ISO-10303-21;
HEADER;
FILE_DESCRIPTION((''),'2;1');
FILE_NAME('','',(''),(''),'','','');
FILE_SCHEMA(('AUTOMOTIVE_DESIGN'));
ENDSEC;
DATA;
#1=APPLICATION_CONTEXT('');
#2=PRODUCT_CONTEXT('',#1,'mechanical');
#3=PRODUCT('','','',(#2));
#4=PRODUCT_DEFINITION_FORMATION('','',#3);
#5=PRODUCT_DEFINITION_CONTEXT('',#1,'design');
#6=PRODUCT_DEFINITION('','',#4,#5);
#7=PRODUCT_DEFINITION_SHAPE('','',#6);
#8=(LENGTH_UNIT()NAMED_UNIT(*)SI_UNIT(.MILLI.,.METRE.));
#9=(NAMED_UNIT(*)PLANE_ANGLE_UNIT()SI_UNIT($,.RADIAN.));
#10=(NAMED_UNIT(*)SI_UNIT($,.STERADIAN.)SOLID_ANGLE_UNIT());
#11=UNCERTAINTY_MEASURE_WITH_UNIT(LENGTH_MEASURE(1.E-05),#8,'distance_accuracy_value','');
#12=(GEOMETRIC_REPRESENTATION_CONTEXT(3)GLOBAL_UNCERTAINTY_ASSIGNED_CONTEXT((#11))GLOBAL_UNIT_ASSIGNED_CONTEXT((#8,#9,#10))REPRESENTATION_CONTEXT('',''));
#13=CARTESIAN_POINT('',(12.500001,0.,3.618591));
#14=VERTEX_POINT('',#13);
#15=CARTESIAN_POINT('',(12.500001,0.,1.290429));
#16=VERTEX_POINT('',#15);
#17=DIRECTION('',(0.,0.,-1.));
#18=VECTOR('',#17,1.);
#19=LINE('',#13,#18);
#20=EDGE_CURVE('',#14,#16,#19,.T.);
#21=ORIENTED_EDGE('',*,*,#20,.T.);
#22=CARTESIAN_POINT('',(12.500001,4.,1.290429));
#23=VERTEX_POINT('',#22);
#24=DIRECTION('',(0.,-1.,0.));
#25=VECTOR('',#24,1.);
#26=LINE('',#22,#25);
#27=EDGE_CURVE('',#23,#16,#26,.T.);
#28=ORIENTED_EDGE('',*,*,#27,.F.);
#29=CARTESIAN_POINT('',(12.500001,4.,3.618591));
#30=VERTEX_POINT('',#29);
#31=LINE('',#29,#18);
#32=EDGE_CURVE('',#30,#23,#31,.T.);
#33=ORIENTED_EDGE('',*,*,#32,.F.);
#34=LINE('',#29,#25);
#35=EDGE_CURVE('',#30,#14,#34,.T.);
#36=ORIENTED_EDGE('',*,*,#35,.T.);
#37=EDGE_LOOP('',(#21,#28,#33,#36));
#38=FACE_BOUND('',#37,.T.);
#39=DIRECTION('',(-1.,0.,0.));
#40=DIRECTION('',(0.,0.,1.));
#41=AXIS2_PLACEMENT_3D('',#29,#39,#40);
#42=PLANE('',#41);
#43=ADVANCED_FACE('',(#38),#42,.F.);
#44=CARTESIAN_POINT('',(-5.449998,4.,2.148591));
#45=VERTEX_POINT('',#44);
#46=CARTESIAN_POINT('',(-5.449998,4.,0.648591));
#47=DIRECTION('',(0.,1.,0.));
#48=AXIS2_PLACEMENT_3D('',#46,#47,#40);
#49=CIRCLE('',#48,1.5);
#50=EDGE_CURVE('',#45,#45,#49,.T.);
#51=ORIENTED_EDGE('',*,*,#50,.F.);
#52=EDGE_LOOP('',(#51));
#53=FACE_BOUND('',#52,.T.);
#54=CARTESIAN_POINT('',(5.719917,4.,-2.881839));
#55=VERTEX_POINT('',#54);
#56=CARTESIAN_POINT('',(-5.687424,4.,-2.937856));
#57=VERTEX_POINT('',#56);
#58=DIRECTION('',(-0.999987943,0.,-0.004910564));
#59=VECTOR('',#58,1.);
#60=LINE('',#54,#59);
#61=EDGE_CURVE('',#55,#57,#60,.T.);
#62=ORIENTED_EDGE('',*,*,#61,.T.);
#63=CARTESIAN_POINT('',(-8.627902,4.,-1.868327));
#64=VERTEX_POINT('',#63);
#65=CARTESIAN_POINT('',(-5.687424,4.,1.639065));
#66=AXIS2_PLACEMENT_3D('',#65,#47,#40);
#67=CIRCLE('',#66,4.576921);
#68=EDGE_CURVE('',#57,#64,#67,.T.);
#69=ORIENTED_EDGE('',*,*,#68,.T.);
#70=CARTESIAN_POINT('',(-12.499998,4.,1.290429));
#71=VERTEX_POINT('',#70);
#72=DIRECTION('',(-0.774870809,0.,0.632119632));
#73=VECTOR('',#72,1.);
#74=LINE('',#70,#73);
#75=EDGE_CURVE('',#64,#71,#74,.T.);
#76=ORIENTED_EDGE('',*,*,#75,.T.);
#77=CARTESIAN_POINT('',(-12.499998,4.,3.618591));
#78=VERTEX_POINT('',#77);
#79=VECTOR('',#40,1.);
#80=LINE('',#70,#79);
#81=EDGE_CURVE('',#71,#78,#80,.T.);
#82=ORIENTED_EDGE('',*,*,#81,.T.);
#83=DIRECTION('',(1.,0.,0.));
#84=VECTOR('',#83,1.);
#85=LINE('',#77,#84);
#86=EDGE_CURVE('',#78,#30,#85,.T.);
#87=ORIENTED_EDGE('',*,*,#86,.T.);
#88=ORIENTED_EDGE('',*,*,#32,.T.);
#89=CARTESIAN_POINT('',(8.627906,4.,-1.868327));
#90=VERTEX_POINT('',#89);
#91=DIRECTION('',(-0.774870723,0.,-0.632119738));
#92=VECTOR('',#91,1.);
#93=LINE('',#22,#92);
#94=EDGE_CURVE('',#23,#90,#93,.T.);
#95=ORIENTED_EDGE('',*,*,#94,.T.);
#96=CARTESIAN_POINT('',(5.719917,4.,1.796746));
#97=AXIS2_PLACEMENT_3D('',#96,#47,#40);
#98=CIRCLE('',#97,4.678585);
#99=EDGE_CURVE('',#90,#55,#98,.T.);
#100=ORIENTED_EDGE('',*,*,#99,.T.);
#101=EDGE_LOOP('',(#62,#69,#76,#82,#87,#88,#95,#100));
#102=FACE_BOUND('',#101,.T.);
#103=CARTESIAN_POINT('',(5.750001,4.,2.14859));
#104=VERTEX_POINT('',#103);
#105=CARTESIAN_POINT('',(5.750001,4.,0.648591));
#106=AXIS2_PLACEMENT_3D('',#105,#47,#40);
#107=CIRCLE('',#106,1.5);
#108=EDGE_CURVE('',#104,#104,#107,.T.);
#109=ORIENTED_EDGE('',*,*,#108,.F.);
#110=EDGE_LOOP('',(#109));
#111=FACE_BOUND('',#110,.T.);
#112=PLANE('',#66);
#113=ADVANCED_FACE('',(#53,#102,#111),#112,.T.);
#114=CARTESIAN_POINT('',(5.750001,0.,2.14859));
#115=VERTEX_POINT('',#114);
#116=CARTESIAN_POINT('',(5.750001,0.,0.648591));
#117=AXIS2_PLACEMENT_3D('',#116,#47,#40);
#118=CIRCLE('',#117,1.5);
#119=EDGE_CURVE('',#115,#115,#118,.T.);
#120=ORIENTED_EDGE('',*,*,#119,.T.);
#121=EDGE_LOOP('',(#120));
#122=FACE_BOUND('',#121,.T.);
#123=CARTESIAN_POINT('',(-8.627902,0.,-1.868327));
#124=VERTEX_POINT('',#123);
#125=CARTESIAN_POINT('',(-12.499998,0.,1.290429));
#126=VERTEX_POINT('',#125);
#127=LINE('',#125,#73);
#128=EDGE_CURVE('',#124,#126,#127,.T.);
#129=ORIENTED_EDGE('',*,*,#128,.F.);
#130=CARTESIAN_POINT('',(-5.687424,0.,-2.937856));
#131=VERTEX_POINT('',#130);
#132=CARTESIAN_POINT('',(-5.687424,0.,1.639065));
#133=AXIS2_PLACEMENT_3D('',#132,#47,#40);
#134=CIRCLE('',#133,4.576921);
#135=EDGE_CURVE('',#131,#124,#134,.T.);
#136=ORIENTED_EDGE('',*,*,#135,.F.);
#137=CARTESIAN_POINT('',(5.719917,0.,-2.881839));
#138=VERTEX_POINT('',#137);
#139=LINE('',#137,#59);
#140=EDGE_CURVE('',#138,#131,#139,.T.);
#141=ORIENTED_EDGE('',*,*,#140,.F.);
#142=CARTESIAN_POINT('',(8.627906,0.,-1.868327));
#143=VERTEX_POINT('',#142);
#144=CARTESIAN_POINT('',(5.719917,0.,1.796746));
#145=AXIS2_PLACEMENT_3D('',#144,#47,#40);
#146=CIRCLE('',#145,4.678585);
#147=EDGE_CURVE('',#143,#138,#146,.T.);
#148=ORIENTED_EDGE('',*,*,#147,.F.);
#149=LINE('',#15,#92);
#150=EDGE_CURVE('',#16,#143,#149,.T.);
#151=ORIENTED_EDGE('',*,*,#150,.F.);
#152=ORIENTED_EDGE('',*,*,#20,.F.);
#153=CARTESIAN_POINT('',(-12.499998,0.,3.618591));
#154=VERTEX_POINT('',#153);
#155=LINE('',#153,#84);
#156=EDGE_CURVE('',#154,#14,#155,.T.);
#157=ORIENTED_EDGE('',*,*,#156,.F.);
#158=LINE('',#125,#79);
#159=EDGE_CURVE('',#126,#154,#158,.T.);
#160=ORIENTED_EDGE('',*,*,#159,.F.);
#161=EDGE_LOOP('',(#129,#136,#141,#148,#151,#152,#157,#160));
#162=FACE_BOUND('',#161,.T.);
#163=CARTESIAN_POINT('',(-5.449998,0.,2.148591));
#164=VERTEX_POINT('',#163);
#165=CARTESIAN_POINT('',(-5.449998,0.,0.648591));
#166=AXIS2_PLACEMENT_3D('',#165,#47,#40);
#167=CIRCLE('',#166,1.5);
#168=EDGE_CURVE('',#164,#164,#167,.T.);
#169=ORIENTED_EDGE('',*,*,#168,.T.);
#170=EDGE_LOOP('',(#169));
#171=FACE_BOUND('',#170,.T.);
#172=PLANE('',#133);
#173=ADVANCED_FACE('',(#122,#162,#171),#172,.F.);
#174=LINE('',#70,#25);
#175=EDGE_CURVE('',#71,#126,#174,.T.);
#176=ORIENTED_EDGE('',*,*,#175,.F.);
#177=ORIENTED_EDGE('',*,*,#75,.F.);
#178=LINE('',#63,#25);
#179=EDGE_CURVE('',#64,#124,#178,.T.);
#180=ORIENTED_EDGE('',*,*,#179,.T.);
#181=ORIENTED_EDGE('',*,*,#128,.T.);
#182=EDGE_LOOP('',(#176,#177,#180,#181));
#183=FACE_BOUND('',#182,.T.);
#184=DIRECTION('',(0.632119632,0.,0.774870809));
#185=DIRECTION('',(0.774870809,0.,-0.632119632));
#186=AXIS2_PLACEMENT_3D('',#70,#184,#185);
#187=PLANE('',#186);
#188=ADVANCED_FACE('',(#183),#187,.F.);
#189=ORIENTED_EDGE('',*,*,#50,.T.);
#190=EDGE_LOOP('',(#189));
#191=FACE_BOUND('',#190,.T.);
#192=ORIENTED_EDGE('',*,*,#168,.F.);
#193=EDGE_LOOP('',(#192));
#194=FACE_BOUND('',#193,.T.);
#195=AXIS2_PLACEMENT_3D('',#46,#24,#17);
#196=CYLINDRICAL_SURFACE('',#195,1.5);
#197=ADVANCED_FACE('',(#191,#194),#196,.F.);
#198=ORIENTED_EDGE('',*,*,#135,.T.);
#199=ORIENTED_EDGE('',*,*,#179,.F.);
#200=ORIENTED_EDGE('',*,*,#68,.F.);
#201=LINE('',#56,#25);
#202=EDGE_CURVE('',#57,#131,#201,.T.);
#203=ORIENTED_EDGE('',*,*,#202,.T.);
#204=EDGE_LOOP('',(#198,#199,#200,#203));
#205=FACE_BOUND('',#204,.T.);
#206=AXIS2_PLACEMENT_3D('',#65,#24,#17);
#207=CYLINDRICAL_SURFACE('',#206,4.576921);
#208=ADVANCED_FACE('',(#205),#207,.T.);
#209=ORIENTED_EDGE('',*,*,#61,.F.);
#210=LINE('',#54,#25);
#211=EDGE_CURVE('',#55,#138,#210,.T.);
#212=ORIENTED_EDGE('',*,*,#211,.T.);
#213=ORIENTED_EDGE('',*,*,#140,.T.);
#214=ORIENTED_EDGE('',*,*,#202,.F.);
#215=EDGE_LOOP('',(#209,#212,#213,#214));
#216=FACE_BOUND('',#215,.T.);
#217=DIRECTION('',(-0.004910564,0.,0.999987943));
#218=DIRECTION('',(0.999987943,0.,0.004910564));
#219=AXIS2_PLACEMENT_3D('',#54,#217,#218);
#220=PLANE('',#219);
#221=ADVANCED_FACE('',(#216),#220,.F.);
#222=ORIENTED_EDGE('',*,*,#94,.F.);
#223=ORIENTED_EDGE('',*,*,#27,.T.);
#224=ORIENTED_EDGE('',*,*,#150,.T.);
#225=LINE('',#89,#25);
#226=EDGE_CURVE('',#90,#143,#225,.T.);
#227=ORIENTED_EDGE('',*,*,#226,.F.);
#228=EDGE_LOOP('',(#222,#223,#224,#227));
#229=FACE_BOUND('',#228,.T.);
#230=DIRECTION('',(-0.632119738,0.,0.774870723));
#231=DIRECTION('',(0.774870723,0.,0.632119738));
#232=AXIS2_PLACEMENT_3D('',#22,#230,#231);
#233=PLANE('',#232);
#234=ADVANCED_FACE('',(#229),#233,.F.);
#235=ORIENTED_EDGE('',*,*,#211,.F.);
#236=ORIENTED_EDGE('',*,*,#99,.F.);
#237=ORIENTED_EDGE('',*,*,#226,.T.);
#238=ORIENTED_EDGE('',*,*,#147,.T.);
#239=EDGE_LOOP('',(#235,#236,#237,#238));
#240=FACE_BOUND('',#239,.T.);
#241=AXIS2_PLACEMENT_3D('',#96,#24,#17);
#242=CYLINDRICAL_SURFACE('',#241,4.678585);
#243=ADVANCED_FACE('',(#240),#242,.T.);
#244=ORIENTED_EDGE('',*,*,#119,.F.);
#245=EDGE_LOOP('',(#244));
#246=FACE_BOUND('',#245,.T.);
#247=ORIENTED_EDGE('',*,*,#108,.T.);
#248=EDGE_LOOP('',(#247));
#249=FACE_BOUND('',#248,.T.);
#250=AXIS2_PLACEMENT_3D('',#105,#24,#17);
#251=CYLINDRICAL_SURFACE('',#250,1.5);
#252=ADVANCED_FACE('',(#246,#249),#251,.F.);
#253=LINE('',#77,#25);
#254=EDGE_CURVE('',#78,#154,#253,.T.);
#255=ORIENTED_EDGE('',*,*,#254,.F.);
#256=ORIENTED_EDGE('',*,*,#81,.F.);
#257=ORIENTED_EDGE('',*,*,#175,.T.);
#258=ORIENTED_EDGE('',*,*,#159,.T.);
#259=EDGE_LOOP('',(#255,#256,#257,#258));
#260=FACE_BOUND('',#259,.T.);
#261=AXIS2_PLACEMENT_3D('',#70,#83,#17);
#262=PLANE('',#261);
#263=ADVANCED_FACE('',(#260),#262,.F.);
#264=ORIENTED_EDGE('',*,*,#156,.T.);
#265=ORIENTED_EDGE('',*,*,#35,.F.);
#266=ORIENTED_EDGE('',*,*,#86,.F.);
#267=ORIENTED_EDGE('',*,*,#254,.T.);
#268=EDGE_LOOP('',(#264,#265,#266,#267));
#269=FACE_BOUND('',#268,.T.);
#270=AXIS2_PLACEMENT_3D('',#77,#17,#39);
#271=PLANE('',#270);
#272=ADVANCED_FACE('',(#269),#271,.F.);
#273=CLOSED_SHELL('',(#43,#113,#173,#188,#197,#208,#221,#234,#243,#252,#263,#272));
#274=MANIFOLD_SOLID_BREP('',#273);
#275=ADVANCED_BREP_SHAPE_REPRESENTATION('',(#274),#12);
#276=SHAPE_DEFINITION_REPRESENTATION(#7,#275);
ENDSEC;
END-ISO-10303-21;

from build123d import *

# Parameters (mm, degrees)
CROQUIS1_R              = 1.499999985
CROQUIS1_R_2            = 1.499999871
SALIENTE_EXTRUIR1_DEPTH = 4


with BuildPart() as part:
    # Croquis1 → Saliente-Extruir1 (new body)
    with BuildSketch(Plane(origin=(0, 0, 0), x_dir=(1, 0, 0), z_dir=(0, 1, 0))):
        with BuildLine():
            Line((-12.499997978, -1.290428922), (-12.499997978, -3.618590638))
            Line((-12.499997978, -3.618590638), (12.500000954, -3.618590638))
            Line((12.500000954, -3.618590638), (12.500000954, -1.290428922))
            Line((12.500000954, -1.290428922), (8.627905846, 1.868327334))
            ThreePointArc((8.627905846, 1.868327334), (7.259690403, 2.621201307), (5.71991749, 2.881839161))
            Line((5.71991749, 2.881839161), (-5.687424356, 2.937856323))
            ThreePointArc((-5.687424356, 2.937856323), (-7.251897096, 2.662171308), (-8.627901793, 1.868327334))
            Line((-8.627901793, 1.868327334), (-12.499997978, -1.290428922))
        make_face()
        with Locations((-5.449998151, -0.648590639)):
            Circle(CROQUIS1_R, mode=Mode.SUBTRACT)
        with Locations((5.750001083, -0.64859061)):
            Circle(CROQUIS1_R_2, mode=Mode.SUBTRACT)
    extrude(amount=SALIENTE_EXTRUIR1_DEPTH)


solid = part.part
